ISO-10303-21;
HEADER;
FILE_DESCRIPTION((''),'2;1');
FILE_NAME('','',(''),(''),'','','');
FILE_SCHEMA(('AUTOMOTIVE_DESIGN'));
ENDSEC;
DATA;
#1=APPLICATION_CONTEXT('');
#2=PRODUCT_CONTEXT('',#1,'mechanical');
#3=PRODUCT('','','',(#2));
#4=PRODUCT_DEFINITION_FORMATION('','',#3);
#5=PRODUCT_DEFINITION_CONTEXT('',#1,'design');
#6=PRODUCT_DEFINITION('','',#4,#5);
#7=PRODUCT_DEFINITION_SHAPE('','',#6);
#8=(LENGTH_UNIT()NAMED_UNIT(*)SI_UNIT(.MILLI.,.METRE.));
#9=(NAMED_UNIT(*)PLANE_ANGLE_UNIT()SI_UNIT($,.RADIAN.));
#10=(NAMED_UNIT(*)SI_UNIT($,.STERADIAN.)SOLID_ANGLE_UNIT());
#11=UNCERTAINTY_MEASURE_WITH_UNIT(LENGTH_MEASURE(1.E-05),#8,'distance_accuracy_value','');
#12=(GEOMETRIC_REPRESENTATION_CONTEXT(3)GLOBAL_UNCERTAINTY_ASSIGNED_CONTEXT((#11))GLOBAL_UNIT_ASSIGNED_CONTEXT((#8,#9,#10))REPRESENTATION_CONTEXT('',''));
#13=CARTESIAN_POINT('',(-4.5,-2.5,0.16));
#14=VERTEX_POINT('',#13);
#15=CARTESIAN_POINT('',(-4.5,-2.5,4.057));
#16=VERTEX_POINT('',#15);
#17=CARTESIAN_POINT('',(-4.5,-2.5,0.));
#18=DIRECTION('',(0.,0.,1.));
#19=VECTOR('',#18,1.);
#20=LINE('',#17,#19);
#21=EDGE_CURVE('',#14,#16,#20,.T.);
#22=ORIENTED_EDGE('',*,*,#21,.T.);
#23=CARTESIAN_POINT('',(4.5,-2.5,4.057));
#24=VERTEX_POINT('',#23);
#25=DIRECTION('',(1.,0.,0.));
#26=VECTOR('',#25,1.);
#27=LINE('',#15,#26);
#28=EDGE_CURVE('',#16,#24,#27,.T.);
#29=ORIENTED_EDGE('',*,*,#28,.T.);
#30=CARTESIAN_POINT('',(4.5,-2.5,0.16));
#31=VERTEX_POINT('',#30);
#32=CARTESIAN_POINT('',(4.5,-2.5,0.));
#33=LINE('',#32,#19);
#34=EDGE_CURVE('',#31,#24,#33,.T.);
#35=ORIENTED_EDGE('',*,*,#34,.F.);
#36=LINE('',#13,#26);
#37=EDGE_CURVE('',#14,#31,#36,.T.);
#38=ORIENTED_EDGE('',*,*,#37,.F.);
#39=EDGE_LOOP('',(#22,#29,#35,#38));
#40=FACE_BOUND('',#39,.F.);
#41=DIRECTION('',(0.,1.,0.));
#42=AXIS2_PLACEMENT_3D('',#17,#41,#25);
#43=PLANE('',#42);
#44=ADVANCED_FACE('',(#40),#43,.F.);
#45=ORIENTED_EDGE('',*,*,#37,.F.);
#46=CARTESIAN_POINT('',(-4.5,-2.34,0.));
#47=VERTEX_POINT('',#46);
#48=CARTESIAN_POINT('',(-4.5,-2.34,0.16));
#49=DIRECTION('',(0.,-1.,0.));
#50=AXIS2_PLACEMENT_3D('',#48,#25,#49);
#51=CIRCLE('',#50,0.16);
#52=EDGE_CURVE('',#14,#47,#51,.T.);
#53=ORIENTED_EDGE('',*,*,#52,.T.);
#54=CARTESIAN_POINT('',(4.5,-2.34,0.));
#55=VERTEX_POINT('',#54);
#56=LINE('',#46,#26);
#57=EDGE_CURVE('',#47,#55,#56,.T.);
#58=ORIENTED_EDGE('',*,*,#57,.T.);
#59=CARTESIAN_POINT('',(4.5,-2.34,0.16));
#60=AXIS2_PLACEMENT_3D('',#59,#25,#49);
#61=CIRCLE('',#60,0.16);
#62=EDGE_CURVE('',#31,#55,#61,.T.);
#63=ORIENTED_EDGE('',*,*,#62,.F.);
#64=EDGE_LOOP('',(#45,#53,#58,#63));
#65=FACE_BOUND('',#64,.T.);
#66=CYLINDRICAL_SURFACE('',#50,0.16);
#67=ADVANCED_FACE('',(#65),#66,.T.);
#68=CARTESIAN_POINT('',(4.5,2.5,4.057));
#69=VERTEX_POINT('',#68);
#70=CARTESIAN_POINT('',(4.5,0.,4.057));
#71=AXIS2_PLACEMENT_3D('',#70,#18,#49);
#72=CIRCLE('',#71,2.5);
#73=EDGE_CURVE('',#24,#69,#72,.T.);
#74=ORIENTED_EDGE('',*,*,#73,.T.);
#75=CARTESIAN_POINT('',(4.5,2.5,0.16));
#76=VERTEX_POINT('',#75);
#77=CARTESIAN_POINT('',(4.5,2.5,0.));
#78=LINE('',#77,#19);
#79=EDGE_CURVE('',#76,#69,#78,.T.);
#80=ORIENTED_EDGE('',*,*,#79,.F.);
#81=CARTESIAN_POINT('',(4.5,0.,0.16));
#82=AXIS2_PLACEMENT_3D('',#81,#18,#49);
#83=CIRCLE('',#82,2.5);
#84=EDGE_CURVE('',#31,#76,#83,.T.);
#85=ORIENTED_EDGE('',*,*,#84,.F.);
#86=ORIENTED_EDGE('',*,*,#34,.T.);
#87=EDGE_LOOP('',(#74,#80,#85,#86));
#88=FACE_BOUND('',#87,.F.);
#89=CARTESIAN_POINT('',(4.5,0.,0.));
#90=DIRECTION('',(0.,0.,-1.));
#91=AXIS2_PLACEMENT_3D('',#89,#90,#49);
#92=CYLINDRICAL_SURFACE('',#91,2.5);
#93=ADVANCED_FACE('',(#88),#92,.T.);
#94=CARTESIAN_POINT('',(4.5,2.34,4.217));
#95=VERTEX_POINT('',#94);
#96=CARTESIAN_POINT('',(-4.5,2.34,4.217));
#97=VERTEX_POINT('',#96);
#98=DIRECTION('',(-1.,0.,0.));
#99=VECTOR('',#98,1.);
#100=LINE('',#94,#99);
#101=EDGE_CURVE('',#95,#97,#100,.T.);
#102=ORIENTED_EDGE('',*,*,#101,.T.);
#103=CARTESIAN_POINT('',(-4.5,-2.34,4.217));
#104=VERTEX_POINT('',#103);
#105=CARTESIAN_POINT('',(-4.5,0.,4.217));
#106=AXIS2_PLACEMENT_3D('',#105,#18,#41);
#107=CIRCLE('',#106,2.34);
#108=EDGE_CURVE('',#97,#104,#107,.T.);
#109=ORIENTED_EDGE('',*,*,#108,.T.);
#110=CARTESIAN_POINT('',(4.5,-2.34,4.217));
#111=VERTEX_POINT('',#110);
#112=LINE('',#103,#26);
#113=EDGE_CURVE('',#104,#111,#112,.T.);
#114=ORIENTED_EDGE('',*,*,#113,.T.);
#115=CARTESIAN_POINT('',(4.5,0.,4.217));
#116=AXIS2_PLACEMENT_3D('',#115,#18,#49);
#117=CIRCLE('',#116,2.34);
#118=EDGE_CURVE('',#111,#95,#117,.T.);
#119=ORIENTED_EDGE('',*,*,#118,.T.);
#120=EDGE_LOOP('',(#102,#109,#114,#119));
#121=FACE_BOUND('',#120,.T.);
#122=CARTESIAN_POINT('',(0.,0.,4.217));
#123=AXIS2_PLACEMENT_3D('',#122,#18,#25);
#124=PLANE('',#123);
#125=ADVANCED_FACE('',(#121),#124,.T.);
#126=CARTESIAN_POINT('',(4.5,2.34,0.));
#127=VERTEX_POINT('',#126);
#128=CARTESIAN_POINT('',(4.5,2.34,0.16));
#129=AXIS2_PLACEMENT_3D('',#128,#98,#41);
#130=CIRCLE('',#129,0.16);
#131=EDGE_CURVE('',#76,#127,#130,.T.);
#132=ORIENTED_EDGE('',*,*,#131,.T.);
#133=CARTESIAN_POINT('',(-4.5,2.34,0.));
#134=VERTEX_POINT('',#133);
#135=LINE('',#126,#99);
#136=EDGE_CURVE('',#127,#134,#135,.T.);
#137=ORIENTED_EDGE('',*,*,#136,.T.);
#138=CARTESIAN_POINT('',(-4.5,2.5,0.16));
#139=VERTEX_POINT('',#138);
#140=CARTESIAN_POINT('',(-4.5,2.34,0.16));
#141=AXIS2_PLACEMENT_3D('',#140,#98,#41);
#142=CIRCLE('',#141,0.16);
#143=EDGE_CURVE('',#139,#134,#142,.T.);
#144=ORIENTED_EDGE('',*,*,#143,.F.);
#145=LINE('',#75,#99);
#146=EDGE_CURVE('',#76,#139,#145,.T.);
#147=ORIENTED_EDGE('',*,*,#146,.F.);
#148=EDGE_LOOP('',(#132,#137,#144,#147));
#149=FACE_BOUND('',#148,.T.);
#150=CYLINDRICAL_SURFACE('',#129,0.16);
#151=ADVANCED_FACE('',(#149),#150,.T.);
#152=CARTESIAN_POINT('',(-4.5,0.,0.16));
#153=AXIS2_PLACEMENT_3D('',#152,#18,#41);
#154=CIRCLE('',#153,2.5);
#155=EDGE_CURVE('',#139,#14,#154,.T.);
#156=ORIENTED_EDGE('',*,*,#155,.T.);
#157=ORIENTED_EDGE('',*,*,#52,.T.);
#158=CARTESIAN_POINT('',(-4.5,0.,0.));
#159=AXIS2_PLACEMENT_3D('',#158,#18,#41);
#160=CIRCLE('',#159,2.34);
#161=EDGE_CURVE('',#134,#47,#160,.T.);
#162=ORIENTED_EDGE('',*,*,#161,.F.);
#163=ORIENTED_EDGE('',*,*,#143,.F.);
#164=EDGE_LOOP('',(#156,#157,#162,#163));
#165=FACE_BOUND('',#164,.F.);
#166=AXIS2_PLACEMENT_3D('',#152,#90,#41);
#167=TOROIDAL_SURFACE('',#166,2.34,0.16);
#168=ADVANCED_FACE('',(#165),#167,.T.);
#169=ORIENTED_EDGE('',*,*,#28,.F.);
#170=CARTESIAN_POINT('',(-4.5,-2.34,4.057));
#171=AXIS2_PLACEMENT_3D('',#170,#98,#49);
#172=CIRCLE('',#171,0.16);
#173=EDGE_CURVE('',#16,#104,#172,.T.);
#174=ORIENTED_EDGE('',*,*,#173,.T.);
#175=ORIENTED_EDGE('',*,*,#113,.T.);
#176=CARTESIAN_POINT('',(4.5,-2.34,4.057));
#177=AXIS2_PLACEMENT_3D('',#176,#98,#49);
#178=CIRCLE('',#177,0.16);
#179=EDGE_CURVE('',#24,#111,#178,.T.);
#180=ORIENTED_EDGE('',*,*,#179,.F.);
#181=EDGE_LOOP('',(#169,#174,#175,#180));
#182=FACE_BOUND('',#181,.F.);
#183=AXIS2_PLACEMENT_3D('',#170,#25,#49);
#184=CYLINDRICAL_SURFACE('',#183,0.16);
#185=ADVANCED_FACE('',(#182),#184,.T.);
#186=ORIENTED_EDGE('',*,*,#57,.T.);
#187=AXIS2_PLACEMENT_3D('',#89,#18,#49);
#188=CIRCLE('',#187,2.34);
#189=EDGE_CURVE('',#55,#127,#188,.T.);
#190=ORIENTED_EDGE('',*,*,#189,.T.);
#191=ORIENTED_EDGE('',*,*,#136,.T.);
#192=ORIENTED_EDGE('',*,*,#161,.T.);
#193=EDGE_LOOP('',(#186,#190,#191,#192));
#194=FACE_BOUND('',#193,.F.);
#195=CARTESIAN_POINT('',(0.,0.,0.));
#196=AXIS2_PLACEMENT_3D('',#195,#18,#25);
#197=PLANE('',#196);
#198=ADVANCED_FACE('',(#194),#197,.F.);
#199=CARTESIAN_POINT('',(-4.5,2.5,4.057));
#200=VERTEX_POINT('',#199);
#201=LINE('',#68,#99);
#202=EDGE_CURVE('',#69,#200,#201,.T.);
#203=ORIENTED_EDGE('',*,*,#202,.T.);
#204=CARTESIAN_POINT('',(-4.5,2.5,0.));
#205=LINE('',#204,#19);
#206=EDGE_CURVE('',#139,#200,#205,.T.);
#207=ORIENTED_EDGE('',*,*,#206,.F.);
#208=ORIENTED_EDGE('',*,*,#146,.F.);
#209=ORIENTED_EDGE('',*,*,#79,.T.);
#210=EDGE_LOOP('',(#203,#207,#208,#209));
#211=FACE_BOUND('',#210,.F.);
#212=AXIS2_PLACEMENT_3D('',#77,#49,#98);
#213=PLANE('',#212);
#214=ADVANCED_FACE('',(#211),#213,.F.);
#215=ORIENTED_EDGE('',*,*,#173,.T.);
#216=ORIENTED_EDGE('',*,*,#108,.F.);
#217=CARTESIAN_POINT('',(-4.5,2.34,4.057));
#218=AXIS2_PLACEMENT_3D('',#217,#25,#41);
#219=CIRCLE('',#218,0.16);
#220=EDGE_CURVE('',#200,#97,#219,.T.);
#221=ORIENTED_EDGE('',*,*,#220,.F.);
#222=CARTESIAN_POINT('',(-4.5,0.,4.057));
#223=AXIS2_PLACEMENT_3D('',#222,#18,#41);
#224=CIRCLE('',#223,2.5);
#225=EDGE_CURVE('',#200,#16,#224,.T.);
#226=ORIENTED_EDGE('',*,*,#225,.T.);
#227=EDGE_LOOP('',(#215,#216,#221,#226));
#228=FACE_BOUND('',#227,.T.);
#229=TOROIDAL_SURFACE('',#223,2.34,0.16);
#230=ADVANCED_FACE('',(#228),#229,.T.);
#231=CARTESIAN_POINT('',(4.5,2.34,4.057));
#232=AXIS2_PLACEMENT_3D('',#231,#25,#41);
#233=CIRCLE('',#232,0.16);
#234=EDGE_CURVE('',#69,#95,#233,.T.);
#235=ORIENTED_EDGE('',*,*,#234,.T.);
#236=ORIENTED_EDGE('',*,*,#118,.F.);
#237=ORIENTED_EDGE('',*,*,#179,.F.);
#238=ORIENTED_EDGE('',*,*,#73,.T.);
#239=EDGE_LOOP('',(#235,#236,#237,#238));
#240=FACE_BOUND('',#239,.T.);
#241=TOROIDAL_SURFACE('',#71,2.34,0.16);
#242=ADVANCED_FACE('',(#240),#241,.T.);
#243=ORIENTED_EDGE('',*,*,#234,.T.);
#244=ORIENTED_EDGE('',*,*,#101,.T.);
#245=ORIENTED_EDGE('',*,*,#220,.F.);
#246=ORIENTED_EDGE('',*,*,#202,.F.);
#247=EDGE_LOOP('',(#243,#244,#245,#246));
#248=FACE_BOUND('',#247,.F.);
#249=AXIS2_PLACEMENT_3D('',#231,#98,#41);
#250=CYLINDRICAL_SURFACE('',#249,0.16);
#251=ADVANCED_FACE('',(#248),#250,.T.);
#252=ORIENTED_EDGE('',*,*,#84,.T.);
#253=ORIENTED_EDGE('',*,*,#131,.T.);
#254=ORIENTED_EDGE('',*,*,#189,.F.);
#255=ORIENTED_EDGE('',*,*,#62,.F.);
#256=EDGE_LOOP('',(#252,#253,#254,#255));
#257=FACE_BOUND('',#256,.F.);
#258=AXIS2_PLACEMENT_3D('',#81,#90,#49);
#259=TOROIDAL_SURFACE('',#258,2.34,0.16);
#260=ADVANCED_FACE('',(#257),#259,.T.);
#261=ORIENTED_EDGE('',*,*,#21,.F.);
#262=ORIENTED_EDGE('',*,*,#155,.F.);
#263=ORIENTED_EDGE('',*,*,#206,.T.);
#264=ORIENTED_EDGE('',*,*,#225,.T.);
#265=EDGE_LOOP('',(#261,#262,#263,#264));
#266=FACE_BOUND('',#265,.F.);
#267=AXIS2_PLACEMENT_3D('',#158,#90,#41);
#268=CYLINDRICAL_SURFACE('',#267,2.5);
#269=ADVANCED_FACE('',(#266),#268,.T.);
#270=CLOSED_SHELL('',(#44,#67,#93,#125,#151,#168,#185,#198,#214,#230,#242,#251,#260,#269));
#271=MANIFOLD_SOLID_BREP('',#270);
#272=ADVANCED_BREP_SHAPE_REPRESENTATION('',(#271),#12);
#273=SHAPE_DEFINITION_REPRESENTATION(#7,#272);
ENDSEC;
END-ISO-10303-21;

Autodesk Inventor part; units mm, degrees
ref_plane "YZ Plane" through (0, 0, 0) normal (1, 0, 0) x (0, 1, 0)
ref_plane "XZ Plane" through (0, 0, 0) normal (0, 1, 0) x (-1, 0, 0)
ref_plane "XY Plane" through (0, 0, 0) normal (0, 0, 1) x (1, 0, 0)
sketch "草圖1" plane through (0, 0, 0) normal (0, 0, 1) x (1, 0, 0)
  line L0 (-4.5, -2.5) -> (4.5, -2.5)
  line L1 (4.5, -2.5) -> (4.5, 2.5)
  line L2 (4.5, 2.5) -> (-4.5, 2.5)
  line L3 (-4.5, 2.5) -> (-4.5, -2.5)
  line L4 (-4.5, -2.5) -> (4.5, 2.5) construction
  line L5 (4.5, -2.5) -> (-4.5, 2.5) construction
  arc A0 (-4.5, 2.5) -> (-4.5, -2.5) centre (-4.5, 0) ccw
  arc A1 (4.5, -2.5) -> (4.5, 2.5) centre (4.5, 0) ccw
  point P0 (0, 0)
  dimension "d0" = 9
  dimension "d1" = 5
extrude "擠出1" add sketch "草圖1" along normal blind 4.217
fillet "圓角1" radius 0.16 8 edges at (-7, 0, 4.217) (0, -2.5, 4.217) (7, 0, 4.217) (0, 2.5, 4.217) (7, 0, 0) (0, -2.5, 0) (-7, 0, 0) (0, 2.5, 0)
properties part number "key_carrier_1"
